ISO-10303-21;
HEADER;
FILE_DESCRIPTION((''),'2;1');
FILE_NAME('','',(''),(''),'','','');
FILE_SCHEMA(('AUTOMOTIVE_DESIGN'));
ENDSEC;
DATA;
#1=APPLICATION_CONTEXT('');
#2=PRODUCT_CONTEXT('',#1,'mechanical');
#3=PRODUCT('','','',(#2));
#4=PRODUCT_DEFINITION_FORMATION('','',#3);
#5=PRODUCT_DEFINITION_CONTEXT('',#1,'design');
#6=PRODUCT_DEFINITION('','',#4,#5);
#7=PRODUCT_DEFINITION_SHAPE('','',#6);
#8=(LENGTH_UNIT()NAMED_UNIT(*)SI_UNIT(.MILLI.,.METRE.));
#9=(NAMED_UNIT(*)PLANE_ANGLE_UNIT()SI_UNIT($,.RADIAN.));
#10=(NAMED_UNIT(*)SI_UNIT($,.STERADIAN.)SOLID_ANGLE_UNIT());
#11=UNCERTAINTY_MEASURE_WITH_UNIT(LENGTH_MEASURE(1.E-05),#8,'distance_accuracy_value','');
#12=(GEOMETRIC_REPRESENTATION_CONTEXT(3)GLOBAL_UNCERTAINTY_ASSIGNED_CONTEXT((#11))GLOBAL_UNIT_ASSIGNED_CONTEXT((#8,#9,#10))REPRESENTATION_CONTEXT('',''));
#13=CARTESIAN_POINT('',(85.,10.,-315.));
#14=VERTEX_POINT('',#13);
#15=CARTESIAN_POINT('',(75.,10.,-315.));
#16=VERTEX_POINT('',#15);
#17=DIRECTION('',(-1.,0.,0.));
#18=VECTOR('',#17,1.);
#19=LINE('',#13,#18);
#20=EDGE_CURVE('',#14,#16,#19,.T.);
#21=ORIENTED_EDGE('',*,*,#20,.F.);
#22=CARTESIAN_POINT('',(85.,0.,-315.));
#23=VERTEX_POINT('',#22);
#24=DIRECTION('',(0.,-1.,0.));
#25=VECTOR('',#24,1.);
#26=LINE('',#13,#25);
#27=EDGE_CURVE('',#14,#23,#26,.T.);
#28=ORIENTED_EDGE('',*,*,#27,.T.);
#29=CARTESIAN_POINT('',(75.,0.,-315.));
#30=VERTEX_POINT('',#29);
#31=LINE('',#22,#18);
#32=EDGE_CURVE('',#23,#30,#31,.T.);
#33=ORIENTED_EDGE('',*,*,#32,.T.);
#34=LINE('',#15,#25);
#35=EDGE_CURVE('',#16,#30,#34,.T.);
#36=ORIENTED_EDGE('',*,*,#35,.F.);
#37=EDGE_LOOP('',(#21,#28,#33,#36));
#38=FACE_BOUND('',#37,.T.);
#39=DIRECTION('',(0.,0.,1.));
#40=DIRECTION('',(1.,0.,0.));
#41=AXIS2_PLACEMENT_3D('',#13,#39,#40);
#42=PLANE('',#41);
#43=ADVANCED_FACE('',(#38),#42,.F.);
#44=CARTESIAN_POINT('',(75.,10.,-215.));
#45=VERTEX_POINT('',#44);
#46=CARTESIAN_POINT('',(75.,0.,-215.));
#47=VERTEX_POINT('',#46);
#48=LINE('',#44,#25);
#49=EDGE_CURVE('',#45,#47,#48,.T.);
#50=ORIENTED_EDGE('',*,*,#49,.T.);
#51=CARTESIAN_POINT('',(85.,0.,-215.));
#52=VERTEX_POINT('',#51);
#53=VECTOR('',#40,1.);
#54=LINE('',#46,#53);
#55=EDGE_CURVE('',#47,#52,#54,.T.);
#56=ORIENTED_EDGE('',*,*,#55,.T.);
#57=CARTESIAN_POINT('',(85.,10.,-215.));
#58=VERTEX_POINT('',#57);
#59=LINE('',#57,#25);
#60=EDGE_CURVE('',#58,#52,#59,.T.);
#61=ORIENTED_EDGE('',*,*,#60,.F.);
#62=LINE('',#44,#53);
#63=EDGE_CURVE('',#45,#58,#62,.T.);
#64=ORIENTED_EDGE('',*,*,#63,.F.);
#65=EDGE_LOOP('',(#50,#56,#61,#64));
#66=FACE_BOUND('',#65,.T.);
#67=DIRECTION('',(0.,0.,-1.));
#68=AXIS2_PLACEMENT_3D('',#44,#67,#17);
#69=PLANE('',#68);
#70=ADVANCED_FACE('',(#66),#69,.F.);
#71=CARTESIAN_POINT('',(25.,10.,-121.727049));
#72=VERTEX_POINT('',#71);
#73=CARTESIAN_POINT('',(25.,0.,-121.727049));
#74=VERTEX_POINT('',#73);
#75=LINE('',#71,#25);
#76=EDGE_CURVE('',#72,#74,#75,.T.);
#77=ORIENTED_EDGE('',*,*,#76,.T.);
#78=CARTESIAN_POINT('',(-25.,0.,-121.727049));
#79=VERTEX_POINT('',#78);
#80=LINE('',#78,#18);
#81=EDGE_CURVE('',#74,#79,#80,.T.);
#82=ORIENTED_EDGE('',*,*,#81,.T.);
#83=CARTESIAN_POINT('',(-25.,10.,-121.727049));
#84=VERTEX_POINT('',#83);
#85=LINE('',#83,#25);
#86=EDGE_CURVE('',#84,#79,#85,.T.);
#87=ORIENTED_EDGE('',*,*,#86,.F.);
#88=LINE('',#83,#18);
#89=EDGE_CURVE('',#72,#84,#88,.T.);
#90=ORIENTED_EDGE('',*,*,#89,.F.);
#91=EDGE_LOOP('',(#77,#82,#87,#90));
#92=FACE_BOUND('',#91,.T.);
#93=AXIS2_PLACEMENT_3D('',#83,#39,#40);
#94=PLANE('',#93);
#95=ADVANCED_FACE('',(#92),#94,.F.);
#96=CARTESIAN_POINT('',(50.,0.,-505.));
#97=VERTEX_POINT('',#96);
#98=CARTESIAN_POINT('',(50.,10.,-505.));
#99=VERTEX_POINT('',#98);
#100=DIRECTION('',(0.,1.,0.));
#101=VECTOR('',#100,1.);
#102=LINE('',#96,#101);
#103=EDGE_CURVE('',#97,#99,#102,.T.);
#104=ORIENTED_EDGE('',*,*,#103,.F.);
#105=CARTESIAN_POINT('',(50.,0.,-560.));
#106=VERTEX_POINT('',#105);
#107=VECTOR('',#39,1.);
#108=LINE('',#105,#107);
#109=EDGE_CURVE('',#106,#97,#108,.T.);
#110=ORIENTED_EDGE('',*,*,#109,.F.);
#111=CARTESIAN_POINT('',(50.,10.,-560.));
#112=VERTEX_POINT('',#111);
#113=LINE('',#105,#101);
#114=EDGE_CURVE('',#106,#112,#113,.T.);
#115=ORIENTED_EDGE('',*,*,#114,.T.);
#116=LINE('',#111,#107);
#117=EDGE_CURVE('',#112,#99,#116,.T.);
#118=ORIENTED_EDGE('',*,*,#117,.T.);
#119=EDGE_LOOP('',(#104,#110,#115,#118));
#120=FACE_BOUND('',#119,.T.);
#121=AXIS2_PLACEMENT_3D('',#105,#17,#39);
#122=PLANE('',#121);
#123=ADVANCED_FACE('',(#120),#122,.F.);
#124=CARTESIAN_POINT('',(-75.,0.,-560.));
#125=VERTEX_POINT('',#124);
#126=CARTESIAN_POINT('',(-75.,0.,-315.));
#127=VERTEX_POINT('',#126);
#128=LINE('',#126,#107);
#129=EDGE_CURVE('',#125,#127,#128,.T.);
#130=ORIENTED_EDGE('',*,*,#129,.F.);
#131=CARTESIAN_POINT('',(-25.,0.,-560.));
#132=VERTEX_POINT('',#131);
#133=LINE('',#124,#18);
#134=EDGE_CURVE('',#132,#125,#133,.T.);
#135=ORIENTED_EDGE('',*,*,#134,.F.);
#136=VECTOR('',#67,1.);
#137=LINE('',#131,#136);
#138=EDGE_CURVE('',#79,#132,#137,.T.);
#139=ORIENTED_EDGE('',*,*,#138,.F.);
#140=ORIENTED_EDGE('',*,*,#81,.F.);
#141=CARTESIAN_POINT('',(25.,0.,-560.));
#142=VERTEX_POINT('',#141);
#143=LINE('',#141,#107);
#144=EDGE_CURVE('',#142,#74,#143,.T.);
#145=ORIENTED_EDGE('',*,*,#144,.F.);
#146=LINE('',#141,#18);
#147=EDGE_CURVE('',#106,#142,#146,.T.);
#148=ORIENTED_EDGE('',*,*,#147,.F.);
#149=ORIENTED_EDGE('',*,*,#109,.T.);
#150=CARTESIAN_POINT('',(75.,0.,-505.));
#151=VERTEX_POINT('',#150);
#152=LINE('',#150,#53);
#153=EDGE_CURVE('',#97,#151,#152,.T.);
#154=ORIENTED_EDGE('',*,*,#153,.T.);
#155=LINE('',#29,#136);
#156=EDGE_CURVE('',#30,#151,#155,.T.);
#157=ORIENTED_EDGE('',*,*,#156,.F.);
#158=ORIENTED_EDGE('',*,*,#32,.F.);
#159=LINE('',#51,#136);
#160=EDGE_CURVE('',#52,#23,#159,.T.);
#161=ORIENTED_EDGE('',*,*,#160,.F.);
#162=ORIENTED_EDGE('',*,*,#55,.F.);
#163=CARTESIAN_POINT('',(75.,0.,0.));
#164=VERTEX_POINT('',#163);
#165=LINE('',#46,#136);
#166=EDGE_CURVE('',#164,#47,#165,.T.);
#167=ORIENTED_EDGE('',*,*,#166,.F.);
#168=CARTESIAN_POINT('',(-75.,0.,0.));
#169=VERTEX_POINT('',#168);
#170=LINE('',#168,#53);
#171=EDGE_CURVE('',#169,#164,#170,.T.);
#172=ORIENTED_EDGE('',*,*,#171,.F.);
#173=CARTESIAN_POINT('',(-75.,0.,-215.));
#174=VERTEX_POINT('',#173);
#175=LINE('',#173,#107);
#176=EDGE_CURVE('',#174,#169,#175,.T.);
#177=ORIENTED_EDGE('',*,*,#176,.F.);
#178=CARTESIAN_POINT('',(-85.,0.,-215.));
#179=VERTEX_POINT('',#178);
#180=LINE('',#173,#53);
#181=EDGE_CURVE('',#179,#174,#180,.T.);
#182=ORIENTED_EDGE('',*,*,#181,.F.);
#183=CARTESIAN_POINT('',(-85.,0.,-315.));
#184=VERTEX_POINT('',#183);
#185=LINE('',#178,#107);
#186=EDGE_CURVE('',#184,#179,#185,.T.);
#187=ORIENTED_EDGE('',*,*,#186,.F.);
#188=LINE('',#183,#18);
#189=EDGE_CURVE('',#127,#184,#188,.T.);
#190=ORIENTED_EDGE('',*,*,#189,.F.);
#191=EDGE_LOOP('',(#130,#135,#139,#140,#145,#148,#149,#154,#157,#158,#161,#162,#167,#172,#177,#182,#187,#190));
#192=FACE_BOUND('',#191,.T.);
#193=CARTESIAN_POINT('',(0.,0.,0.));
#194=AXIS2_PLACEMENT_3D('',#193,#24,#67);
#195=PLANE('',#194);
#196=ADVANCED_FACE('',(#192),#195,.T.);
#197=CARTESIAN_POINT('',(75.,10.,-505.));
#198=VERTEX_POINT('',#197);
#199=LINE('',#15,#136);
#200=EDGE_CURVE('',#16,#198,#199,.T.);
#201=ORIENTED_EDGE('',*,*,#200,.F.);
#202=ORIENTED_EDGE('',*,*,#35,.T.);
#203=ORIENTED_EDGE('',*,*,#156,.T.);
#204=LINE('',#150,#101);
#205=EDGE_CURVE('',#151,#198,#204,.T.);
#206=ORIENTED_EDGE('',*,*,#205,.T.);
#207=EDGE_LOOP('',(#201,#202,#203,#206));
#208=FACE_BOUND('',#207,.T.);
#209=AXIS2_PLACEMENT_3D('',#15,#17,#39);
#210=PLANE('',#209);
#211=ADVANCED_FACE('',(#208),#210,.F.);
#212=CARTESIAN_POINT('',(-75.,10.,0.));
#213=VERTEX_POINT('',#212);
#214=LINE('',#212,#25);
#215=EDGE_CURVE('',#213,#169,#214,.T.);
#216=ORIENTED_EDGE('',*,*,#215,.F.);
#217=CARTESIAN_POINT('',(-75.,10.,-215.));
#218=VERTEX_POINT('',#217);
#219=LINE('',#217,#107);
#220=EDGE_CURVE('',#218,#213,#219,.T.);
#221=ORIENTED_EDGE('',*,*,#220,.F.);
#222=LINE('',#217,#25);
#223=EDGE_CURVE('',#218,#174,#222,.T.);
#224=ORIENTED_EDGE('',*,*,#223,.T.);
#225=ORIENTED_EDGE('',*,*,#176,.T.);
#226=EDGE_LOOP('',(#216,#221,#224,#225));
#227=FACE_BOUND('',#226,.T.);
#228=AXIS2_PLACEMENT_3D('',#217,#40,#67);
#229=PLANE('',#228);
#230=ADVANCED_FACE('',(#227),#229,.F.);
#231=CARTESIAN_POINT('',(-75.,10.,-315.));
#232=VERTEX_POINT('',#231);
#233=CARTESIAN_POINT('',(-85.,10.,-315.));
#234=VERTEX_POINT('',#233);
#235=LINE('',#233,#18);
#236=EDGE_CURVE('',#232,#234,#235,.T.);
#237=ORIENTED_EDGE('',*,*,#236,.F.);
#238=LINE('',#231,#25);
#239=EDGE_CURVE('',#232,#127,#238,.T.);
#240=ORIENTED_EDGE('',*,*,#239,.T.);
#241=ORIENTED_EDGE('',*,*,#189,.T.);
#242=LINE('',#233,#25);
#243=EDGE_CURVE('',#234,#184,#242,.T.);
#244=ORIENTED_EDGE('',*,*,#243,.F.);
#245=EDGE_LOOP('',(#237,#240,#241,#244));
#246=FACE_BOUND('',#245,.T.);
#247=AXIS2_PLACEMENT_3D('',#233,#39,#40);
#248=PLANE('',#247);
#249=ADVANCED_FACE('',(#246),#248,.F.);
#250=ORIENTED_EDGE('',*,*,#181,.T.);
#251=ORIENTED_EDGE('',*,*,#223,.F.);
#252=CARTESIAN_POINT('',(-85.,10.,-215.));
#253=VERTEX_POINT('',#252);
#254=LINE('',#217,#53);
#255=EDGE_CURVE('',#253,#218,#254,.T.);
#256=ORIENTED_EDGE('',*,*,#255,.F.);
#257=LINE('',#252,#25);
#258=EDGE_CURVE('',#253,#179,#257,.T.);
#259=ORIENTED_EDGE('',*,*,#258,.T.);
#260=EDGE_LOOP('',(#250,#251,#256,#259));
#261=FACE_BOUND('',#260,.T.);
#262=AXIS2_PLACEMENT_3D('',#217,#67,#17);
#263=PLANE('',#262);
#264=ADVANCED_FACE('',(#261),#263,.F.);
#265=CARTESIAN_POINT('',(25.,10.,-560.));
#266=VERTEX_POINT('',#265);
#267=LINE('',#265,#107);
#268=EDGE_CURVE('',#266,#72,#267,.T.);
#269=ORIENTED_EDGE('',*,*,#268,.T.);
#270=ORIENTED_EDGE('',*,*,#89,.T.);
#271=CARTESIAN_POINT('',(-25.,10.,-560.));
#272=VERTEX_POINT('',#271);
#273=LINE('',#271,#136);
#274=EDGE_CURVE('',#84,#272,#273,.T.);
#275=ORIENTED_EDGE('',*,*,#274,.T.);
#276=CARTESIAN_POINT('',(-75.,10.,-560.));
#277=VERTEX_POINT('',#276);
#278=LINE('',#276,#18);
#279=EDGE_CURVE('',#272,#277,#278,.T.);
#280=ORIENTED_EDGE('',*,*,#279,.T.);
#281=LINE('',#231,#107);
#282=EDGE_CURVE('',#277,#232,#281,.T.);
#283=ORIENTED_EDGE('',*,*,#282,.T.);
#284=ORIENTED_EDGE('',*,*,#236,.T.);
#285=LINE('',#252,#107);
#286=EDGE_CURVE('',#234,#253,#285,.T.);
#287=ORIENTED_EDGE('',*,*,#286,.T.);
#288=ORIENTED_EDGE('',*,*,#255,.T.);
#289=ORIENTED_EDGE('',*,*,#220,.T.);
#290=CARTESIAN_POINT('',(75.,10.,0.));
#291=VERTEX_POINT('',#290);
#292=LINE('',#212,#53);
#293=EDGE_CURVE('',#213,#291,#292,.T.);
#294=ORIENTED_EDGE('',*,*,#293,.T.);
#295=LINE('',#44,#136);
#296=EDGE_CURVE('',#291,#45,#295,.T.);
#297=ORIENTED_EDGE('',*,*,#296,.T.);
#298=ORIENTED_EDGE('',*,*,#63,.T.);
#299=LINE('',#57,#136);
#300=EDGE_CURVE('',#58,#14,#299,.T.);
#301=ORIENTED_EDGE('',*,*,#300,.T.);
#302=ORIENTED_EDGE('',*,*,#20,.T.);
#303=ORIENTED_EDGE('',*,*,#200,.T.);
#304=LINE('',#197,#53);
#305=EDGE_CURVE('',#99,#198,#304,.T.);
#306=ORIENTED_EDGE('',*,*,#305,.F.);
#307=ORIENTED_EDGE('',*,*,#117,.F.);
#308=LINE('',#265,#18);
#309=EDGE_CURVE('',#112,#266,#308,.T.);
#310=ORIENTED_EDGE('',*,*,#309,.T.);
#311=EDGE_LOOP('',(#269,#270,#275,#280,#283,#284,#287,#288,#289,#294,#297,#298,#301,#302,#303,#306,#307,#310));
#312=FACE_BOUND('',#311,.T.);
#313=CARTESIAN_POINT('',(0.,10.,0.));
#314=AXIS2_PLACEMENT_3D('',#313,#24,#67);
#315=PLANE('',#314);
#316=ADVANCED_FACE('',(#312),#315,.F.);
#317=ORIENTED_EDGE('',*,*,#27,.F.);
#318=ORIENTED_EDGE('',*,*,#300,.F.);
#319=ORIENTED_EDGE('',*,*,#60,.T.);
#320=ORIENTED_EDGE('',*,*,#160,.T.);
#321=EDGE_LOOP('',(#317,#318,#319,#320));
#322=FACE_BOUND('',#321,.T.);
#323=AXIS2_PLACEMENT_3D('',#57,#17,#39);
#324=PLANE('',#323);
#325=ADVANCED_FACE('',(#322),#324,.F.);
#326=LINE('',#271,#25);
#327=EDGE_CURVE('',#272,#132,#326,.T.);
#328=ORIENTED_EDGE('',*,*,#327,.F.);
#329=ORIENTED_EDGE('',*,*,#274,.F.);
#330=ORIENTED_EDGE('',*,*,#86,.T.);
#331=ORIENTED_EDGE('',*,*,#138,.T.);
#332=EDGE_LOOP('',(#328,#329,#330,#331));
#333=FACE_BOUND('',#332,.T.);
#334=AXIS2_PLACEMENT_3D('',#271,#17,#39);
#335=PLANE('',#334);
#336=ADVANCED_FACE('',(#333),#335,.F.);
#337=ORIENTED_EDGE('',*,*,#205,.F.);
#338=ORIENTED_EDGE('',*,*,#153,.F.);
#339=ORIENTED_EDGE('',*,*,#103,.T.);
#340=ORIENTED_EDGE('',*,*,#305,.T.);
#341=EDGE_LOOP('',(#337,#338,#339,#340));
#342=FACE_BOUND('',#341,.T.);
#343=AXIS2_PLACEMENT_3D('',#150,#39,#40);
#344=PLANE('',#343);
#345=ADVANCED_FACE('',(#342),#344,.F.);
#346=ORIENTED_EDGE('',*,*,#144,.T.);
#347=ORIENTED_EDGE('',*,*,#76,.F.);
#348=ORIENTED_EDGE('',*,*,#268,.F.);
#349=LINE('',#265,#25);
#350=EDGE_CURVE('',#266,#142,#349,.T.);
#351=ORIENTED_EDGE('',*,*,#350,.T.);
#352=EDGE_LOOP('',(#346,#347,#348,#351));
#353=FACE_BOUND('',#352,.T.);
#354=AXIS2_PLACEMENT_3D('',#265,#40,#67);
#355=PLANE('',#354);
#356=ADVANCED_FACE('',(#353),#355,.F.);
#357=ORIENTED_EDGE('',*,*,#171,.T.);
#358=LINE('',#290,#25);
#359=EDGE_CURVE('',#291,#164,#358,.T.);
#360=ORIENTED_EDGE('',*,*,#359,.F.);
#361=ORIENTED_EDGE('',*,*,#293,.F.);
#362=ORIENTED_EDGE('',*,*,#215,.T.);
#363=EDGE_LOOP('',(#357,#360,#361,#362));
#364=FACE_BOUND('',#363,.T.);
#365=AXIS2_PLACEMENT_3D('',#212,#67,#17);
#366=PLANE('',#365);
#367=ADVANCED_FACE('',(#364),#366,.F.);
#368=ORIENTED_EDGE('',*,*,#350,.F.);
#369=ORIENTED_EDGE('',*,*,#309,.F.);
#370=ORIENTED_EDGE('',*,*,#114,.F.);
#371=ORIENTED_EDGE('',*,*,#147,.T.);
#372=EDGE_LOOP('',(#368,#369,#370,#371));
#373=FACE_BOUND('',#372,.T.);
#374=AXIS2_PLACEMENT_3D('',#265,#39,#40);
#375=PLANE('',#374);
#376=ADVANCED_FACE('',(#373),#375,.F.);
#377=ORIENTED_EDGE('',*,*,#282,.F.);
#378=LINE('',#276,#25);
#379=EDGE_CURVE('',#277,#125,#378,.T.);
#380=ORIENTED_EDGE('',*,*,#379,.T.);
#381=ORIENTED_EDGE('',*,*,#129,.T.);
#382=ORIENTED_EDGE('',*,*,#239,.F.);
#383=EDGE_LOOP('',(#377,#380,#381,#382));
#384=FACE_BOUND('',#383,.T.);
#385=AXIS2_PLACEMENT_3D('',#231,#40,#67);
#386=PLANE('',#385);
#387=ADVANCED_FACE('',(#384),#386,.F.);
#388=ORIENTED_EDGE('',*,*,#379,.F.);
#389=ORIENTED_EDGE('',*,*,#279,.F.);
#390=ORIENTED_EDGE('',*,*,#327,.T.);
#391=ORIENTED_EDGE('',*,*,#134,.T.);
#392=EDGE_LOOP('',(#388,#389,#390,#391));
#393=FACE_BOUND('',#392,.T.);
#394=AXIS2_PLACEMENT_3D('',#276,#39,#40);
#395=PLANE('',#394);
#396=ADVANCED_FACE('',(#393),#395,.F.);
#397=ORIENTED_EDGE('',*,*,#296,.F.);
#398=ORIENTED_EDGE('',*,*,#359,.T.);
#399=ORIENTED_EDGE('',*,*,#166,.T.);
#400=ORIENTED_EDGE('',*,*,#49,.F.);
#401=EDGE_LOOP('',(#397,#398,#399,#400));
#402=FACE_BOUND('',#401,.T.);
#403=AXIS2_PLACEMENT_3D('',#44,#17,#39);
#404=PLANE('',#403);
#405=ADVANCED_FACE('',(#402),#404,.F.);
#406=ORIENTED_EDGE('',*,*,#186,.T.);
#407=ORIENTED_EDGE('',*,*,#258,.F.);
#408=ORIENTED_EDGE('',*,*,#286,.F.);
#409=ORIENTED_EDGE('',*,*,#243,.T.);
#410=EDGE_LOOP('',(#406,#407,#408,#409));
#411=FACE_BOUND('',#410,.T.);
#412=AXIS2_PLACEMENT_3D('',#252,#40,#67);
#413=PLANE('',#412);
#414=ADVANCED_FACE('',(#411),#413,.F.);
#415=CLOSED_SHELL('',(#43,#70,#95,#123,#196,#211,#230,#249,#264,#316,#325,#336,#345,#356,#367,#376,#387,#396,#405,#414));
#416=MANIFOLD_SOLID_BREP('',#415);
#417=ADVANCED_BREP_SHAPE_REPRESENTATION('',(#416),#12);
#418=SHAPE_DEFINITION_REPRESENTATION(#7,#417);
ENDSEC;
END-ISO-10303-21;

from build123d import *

# Parameters (mm, degrees)
BOSS_EXTRUDE1_DEPTH = 10
SKETCH2_W           = 25
SKETCH2_H           = 55
CUT_EXTRUDE1_DEPTH  = 10


with BuildPart() as part:
    # Sketch1 → Boss-Extrude1 (new body)
    with BuildSketch(Plane(origin=(0, 0, 0), x_dir=(1, 0, 0), z_dir=(0, 1, 0))):
        Polygon((-75, 215), (-75, 0), (75, 0), (75, 215), (85, 215), (85, 315), (75, 315), (75, 560), (25, 560), (25, 121.727049474), (-25, 121.727049474), (-25, 560), (-75, 560), (-75, 315), (-85, 315), (-85, 215), align=None)
    extrude(amount=BOSS_EXTRUDE1_DEPTH)

    # Sketch2 → Cut-Extrude1 (cut)
    with BuildSketch(Plane(origin=(0, 10, 0), x_dir=(1, 0, 0), z_dir=(0, 1, 0))):
        with Locations((62.5, 532.5)):
            Rectangle(SKETCH2_W, SKETCH2_H)
    extrude(amount=-CUT_EXTRUDE1_DEPTH, mode=Mode.SUBTRACT)


solid = part.part
